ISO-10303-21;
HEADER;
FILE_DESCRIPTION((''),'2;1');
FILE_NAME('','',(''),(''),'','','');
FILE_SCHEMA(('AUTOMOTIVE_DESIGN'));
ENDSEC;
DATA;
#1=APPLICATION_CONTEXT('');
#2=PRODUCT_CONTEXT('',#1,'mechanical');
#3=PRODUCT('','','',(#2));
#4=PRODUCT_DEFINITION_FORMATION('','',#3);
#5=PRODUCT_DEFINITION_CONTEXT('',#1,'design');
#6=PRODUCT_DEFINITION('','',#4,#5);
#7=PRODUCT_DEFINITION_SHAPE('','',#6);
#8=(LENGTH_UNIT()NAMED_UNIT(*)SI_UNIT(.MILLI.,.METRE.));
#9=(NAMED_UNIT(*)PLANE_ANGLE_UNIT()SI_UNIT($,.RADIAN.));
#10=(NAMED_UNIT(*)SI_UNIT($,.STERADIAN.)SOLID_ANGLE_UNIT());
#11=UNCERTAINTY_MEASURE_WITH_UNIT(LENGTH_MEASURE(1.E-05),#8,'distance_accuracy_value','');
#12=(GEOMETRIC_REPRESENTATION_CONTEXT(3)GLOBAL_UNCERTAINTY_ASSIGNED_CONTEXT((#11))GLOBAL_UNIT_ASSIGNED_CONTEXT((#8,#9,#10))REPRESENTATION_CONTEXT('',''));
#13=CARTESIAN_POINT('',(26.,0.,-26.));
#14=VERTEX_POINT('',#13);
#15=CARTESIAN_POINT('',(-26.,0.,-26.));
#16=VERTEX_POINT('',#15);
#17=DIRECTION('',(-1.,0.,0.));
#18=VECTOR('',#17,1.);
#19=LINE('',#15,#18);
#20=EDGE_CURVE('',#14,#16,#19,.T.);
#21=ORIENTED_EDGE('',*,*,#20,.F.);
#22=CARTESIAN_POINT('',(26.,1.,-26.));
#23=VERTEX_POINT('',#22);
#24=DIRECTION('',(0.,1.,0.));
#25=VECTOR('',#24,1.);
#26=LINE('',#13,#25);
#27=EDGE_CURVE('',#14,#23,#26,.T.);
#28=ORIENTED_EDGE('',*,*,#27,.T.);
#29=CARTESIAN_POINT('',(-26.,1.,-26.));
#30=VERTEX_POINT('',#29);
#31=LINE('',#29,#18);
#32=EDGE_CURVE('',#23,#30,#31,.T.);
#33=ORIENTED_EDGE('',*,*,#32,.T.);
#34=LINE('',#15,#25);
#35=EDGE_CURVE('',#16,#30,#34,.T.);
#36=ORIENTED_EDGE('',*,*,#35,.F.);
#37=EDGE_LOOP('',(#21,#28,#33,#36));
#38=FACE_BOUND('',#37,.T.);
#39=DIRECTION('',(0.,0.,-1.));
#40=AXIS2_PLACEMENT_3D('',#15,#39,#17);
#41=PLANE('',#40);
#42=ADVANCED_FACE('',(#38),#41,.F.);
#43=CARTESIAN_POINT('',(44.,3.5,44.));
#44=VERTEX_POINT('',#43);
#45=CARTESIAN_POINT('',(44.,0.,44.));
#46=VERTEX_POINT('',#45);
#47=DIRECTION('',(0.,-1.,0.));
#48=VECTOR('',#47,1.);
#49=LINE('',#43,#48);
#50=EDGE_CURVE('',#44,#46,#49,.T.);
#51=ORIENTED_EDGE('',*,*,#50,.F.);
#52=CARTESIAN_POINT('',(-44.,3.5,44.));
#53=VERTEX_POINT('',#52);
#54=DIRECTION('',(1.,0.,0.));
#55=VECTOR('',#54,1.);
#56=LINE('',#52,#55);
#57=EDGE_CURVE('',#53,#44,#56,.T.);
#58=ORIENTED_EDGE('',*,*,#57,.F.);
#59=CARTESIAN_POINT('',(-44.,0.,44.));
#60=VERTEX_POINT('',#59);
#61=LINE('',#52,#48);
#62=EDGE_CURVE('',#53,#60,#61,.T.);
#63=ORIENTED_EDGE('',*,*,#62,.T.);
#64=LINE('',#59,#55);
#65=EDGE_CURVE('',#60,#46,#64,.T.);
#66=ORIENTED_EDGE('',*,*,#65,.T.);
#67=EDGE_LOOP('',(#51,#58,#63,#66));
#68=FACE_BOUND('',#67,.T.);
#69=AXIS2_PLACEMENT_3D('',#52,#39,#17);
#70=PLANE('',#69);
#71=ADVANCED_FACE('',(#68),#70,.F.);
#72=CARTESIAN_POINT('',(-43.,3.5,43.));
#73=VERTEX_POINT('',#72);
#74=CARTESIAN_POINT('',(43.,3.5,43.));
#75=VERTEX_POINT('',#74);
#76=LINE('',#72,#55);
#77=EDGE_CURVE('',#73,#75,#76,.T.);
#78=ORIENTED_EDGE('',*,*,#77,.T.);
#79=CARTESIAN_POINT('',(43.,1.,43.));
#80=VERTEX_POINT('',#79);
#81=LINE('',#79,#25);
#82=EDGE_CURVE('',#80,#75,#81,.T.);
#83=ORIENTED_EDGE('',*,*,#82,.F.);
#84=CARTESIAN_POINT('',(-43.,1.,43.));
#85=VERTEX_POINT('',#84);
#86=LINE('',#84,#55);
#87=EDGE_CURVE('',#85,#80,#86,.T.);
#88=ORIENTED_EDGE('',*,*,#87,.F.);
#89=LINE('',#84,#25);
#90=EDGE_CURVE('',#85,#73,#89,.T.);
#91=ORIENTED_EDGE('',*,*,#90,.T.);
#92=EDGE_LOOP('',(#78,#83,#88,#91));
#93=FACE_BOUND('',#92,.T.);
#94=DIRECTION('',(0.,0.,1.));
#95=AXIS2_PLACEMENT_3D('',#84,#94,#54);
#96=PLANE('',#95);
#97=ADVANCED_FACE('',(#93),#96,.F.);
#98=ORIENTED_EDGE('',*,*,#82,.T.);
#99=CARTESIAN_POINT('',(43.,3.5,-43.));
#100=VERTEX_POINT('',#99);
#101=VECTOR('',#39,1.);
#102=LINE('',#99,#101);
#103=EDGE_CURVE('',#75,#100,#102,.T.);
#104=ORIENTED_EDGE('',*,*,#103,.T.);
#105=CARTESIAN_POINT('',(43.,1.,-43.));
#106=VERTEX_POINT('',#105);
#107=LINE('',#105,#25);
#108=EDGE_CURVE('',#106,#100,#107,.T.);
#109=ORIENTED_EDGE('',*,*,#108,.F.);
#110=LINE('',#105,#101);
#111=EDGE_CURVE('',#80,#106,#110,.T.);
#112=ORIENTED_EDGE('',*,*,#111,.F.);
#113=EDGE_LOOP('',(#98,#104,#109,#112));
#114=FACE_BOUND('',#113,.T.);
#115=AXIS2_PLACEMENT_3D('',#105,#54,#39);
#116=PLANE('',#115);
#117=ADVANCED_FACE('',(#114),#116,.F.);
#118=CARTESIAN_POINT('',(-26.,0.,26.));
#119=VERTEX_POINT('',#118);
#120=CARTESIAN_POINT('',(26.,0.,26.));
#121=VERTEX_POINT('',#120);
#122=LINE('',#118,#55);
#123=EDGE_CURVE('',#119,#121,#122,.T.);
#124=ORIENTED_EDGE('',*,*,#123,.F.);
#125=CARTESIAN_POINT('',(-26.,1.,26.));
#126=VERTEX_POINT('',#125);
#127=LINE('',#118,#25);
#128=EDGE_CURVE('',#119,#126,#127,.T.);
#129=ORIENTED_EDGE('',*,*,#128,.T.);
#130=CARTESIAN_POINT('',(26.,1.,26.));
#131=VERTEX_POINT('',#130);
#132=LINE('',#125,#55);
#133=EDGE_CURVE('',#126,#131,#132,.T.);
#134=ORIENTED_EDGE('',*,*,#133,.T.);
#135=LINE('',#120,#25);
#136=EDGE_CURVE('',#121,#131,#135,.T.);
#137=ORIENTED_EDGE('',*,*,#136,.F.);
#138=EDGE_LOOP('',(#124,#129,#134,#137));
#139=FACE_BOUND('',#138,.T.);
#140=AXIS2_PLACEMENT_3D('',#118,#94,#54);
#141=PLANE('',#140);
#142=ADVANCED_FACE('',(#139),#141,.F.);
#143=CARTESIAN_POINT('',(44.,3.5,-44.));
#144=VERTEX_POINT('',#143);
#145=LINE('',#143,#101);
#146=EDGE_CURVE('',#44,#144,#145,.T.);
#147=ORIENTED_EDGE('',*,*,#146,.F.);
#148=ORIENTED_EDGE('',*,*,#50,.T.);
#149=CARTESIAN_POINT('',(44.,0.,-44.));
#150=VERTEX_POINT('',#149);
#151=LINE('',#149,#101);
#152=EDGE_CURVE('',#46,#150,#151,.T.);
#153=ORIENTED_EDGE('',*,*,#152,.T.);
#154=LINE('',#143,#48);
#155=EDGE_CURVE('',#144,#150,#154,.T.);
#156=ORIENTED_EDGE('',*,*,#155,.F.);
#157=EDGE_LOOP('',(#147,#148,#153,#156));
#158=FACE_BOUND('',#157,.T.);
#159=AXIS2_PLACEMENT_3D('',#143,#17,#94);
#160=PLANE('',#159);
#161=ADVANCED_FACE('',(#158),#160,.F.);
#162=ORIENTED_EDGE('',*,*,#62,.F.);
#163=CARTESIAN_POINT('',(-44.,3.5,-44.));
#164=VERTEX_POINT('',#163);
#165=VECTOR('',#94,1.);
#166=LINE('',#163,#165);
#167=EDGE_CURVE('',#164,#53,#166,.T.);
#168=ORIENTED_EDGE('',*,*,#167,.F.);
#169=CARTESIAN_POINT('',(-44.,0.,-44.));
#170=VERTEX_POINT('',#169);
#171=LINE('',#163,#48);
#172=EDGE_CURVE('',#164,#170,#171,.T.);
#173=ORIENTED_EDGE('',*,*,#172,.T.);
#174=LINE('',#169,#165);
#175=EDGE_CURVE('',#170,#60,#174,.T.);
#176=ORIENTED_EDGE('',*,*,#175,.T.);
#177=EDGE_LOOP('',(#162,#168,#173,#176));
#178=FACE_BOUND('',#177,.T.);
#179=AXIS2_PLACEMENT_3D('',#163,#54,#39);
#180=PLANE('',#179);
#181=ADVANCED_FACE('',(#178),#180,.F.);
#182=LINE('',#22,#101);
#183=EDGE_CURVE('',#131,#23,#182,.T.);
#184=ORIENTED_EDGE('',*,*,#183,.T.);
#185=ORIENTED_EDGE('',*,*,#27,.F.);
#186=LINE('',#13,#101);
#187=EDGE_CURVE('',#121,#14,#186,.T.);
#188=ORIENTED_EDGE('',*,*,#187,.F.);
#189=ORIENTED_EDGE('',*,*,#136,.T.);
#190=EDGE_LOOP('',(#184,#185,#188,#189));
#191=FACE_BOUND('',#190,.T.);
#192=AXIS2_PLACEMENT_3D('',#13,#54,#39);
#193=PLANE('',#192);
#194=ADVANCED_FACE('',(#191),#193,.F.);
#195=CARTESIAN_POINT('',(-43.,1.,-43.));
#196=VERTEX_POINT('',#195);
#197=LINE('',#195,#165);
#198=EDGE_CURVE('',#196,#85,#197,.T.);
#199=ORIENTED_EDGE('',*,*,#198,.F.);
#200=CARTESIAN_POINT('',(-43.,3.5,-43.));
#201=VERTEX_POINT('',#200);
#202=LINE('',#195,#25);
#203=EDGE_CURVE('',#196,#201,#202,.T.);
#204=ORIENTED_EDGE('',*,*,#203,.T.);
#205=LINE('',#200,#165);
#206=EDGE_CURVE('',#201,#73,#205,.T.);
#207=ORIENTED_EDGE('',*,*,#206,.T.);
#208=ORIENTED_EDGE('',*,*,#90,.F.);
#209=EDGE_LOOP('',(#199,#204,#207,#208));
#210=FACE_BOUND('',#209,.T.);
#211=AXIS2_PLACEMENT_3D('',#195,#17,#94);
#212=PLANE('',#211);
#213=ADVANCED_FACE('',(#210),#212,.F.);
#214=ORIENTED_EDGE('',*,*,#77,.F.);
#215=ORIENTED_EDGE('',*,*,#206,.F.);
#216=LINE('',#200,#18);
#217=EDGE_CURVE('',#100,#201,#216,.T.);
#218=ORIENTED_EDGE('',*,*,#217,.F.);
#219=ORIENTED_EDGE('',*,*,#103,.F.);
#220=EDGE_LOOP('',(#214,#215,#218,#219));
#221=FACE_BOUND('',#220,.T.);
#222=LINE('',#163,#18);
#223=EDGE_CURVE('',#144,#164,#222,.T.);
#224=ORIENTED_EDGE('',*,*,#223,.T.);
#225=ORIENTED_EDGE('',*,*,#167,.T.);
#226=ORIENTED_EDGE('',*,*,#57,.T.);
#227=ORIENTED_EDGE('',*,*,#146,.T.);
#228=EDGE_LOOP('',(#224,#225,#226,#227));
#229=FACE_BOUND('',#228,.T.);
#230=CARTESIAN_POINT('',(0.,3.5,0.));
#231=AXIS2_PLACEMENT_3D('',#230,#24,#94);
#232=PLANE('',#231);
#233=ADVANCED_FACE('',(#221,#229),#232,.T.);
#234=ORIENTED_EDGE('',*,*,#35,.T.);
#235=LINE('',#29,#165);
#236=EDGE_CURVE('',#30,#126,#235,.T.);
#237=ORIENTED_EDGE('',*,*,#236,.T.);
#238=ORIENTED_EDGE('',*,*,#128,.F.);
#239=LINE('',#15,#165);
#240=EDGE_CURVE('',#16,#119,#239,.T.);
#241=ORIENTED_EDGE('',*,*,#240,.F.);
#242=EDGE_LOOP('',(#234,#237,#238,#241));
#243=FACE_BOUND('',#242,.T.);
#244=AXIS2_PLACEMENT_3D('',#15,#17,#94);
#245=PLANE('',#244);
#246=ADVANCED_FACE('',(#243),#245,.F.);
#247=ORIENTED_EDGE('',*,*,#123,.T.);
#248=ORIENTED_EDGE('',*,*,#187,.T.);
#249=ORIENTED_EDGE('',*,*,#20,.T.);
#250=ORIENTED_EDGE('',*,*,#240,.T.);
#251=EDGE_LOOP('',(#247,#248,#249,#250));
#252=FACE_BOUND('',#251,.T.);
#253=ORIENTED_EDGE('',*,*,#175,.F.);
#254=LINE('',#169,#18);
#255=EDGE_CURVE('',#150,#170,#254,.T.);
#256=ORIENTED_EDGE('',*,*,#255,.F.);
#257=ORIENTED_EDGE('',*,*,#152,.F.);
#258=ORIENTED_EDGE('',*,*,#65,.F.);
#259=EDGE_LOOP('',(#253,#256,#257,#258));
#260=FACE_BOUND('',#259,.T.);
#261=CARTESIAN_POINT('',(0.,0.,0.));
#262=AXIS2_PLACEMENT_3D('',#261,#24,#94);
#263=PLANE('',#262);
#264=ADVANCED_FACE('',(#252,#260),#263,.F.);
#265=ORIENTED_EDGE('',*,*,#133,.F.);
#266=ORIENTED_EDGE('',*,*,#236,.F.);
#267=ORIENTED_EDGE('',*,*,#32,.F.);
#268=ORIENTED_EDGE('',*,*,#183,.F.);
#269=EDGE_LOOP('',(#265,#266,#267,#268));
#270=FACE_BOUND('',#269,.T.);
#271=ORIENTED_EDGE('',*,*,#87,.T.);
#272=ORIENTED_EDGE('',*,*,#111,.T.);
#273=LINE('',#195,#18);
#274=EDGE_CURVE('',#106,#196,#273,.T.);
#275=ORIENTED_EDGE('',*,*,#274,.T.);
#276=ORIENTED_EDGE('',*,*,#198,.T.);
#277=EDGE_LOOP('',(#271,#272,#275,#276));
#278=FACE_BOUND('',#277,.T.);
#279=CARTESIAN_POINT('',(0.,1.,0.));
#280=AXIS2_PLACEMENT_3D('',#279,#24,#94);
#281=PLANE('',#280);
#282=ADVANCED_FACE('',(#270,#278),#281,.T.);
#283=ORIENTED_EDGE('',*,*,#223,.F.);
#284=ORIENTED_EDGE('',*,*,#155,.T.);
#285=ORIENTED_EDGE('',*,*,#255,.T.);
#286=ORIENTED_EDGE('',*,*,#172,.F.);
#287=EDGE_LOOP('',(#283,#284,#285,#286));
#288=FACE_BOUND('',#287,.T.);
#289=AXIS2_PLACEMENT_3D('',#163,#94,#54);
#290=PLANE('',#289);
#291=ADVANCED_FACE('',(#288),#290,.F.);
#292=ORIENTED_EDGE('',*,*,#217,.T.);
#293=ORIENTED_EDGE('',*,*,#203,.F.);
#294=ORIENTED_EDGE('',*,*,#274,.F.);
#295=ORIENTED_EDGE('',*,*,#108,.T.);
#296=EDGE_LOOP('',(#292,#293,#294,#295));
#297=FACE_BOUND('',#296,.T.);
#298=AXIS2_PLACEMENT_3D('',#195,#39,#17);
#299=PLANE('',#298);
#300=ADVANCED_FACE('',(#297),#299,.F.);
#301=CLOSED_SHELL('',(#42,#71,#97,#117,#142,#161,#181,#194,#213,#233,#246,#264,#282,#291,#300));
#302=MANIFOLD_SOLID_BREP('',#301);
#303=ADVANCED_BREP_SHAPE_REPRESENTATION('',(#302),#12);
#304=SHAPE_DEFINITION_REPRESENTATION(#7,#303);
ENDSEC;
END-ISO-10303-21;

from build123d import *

# Parameters (mm, degrees)
SKETCH1_W           = 88
SKETCH1_H           = 88
BOSS_EXTRUDE1_DEPTH = 3.5
SKETCH2_W           = 86
SKETCH2_H           = 86
CUT_EXTRUDE1_DEPTH  = 2.5
SKETCH3_W           = 52
SKETCH3_H           = 52
CUT_EXTRUDE2_DEPTH  = 2


with BuildPart() as part:
    # Sketch1 → Boss-Extrude1 (new body)
    with BuildSketch(Plane(origin=(0, 0, 0), x_dir=(1, 0, 0), z_dir=(0, 1, 0))):
        Rectangle(SKETCH1_W, SKETCH1_H)
    extrude(amount=BOSS_EXTRUDE1_DEPTH)

    # Sketch2 → Cut-Extrude1 (cut)
    with BuildSketch(Plane(origin=(0, 3.5, 0), x_dir=(1, 0, 0), z_dir=(0, 1, 0))):
        Rectangle(SKETCH2_W, SKETCH2_H)
    extrude(amount=-CUT_EXTRUDE1_DEPTH, mode=Mode.SUBTRACT)

    # Sketch3 → Cut-Extrude2 (cut, through all)
    with BuildSketch(Plane(origin=(0, 1, 0), x_dir=(1, 0, 0), z_dir=(0, 1, 0))):
        Rectangle(SKETCH3_W, SKETCH3_H)
    extrude(amount=-CUT_EXTRUDE2_DEPTH, mode=Mode.SUBTRACT)


solid = part.part
